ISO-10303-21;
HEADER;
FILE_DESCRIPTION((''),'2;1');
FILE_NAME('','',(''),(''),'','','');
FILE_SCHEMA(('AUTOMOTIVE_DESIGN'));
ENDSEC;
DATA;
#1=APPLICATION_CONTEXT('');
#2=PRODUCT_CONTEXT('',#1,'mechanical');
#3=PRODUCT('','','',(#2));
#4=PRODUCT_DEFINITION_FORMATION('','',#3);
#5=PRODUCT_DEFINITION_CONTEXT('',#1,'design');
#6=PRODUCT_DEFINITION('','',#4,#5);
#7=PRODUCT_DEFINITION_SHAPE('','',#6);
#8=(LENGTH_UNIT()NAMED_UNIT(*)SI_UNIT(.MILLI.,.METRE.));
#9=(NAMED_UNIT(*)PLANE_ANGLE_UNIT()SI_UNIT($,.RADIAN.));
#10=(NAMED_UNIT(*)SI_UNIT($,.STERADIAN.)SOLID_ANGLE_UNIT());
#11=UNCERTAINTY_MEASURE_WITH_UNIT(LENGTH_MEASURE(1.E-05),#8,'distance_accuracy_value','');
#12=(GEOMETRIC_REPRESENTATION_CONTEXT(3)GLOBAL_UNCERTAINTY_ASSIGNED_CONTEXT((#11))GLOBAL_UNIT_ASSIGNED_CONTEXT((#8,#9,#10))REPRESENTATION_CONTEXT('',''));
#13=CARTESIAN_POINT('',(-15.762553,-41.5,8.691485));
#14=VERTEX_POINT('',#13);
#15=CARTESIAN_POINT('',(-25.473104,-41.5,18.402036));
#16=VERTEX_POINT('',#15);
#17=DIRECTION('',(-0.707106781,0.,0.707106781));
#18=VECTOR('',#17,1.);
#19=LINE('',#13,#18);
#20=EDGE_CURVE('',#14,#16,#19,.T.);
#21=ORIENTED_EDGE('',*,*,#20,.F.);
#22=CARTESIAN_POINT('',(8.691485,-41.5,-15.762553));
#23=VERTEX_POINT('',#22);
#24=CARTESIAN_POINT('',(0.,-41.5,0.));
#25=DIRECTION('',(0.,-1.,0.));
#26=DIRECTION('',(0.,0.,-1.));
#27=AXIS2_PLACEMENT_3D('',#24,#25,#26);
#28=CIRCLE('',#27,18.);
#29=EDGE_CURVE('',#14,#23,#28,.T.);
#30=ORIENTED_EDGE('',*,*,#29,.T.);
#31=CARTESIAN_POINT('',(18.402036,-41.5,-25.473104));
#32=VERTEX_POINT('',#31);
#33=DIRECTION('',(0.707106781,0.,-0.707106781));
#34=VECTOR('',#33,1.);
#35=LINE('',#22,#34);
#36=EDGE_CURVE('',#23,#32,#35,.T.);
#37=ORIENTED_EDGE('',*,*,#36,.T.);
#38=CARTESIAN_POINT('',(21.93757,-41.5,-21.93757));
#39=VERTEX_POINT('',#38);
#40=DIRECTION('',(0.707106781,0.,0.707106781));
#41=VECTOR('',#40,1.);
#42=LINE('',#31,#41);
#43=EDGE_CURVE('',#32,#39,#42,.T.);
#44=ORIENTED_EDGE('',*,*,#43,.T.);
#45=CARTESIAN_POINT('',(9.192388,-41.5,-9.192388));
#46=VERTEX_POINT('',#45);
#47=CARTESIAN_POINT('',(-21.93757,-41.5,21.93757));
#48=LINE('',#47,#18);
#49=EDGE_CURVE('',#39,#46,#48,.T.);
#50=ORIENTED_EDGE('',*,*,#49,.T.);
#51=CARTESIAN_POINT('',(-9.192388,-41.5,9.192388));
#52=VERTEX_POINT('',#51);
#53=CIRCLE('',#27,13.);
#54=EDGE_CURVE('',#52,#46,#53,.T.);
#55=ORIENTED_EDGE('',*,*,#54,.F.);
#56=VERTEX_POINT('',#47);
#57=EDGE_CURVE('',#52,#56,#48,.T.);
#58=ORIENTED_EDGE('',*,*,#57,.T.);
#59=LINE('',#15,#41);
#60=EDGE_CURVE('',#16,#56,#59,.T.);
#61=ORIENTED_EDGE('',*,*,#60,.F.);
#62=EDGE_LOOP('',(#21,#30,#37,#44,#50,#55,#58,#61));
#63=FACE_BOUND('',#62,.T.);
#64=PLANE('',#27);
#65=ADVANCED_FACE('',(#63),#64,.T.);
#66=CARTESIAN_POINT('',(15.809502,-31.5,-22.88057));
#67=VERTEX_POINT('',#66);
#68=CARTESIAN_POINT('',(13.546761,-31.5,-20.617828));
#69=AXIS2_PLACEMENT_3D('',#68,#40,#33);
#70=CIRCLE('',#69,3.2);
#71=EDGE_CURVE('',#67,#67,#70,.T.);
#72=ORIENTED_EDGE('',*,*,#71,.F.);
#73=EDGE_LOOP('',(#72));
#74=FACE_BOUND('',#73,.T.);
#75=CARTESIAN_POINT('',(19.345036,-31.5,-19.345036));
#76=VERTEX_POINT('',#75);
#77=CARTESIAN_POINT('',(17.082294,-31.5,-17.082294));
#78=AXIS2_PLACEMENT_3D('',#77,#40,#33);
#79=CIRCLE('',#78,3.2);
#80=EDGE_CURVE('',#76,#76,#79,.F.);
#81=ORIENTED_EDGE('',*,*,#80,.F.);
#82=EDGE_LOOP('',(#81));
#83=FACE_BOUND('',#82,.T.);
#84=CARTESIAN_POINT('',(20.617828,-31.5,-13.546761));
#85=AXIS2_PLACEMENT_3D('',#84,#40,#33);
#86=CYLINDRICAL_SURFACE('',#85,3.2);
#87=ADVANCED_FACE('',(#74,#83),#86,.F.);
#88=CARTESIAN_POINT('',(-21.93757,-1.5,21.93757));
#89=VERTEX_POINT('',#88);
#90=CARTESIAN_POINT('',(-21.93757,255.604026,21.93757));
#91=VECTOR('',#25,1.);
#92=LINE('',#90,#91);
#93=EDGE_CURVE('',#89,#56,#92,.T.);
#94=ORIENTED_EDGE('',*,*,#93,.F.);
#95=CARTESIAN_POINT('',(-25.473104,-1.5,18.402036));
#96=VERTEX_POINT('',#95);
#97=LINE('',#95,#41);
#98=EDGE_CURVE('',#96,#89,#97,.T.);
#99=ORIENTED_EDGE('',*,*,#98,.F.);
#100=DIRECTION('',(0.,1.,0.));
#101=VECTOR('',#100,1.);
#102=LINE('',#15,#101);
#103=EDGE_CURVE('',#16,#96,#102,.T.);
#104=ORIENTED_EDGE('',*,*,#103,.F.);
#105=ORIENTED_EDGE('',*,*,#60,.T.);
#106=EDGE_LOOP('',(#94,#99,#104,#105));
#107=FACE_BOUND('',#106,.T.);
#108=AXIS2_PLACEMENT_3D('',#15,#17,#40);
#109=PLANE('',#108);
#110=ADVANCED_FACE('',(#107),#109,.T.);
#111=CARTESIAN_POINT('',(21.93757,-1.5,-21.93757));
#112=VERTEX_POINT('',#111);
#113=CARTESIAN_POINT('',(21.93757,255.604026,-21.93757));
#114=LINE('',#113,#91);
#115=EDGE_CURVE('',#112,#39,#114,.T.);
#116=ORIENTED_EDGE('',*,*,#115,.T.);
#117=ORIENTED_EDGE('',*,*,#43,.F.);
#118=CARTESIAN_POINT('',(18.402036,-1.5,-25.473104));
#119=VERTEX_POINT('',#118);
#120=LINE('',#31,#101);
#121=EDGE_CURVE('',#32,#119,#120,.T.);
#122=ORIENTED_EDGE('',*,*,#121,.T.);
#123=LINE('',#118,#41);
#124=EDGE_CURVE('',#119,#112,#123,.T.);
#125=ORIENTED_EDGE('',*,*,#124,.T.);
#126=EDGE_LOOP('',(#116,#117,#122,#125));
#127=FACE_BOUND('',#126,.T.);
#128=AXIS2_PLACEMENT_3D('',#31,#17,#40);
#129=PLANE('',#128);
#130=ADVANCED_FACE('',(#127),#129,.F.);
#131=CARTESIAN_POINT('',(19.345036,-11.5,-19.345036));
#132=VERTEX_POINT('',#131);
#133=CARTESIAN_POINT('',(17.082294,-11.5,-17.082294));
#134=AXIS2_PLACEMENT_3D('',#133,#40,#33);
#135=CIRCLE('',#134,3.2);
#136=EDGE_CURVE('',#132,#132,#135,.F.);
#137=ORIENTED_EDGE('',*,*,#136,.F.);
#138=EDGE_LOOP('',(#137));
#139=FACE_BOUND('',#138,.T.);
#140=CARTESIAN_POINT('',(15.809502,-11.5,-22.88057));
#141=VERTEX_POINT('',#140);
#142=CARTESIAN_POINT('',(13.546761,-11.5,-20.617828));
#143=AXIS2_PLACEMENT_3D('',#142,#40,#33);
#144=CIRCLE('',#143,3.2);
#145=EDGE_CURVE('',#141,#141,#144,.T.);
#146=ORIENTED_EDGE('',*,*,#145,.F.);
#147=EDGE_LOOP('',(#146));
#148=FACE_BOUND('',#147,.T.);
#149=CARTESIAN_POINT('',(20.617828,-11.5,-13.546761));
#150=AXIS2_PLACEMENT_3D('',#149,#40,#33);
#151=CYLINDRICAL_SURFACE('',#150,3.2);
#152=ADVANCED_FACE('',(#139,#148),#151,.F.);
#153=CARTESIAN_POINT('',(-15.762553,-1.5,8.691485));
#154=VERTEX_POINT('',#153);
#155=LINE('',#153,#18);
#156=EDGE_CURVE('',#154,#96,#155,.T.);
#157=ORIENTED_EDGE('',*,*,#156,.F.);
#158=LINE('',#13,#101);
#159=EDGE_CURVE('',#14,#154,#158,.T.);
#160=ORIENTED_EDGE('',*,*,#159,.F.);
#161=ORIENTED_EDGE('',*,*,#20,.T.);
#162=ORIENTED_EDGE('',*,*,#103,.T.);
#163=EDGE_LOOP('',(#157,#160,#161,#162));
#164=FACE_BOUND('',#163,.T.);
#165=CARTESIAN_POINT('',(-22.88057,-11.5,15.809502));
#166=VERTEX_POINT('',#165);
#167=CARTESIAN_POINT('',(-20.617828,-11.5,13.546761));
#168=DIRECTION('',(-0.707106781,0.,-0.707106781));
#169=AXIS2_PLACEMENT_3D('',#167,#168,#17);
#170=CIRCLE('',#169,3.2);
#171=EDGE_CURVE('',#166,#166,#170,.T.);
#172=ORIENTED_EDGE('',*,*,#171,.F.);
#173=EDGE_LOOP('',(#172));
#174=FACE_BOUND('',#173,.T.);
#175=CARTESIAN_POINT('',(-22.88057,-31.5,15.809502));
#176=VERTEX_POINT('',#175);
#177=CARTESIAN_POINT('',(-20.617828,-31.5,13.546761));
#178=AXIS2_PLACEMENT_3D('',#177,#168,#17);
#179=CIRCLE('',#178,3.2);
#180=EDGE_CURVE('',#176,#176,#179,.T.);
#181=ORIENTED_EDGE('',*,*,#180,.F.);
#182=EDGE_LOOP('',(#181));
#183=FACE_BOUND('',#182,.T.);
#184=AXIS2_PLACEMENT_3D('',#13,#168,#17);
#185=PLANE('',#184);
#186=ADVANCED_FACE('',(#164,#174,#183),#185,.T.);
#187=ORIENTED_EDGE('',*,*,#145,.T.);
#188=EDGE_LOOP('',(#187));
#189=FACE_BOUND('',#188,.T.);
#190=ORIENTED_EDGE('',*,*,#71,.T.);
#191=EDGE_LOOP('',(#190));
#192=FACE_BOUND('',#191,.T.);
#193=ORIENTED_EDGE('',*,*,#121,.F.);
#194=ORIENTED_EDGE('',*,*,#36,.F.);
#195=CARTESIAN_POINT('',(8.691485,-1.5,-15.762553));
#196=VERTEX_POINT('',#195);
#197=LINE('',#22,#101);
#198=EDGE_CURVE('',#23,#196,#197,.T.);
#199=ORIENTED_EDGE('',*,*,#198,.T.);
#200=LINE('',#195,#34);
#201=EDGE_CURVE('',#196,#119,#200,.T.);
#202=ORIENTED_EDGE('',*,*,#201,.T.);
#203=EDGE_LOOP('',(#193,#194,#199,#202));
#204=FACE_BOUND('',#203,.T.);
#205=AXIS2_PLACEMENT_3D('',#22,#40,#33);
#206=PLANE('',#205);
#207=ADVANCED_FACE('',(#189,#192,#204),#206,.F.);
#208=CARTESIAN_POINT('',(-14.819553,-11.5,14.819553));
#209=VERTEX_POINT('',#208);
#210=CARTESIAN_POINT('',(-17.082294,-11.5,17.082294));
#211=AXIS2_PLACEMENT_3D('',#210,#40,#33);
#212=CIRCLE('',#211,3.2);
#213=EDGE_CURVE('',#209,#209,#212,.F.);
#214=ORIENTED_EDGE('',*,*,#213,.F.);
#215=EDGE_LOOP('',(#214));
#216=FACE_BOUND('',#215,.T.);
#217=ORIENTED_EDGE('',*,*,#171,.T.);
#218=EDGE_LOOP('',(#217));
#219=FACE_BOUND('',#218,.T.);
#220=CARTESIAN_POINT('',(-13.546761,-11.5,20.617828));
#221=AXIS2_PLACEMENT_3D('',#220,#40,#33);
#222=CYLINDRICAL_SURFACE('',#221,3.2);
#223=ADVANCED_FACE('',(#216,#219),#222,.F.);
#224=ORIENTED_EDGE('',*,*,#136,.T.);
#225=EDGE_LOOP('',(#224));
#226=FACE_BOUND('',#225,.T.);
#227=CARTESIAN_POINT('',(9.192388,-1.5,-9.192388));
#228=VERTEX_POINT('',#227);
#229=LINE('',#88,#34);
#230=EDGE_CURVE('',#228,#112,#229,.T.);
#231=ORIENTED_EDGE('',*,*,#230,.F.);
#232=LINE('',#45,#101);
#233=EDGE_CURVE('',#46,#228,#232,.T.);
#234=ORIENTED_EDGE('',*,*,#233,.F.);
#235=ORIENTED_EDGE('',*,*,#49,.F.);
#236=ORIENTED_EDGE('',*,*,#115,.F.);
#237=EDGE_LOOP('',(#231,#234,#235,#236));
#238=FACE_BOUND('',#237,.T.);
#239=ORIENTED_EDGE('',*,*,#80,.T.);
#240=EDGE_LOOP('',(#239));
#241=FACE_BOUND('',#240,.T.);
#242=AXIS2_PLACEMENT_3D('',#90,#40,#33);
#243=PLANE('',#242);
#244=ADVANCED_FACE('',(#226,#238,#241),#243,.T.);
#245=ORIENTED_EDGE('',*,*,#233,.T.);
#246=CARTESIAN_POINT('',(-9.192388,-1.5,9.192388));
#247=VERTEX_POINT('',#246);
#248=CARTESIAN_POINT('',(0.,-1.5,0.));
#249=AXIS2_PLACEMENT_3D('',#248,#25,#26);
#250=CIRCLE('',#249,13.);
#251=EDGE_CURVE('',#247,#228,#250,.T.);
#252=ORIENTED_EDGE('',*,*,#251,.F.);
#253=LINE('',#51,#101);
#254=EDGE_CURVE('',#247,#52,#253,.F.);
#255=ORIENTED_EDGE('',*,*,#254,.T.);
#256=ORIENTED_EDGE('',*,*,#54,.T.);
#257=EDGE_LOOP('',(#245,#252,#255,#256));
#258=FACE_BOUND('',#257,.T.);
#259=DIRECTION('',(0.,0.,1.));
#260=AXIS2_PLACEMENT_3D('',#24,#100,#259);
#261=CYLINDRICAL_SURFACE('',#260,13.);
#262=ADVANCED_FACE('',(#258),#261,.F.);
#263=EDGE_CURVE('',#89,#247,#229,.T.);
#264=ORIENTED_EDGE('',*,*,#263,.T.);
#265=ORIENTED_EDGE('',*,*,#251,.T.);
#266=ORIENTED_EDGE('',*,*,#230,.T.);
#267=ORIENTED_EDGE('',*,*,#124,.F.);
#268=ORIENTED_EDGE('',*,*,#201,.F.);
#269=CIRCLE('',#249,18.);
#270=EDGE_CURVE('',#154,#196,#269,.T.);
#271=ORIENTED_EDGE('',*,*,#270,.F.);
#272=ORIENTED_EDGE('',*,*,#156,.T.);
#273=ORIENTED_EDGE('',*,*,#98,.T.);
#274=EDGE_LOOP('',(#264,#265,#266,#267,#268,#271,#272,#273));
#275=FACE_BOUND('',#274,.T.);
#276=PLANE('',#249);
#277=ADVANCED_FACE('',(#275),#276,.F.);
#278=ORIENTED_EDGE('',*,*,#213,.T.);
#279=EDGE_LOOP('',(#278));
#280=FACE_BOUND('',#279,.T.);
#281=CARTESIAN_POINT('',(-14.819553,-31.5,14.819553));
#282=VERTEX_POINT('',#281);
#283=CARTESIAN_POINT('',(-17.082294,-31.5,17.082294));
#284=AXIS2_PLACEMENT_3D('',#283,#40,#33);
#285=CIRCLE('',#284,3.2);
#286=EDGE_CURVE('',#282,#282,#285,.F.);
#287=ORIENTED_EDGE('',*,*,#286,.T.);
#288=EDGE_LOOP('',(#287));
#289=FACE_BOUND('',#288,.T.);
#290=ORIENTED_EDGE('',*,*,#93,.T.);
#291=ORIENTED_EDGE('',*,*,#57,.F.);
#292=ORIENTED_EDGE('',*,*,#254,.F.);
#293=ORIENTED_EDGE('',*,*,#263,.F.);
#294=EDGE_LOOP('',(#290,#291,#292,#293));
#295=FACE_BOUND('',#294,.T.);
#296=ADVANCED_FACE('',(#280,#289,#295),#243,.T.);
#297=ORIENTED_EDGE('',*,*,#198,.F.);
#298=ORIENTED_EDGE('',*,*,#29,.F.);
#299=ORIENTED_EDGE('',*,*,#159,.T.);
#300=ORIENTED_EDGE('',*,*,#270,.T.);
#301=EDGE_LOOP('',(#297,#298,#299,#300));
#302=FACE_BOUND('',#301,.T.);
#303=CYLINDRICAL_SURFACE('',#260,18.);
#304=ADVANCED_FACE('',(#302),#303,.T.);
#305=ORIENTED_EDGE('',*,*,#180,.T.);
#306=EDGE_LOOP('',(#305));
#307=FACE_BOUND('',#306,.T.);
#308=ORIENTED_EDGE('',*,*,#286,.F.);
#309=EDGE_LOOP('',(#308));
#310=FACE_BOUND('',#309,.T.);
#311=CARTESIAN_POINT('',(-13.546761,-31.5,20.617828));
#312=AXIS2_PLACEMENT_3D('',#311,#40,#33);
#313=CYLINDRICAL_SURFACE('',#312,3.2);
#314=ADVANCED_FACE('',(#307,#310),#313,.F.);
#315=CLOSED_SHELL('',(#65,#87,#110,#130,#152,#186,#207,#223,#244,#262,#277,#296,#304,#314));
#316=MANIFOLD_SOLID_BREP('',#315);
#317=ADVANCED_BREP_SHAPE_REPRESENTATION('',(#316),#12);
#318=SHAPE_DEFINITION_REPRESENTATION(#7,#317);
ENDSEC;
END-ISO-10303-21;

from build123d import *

# Parameters (mm, degrees)
BOSS_EXTRUDE1_DEPTH      = 1.5
M3_CLEARANCE_HOLE1_D     = 3.2
M3_CLEARANCE_HOLE1_DEPTH = 3
SKETCH5_R                = 15
CUT_EXTRUDE1_DEPTH       = 1
CUT_EXTRUDE1_DEPTH_BACK  = 4
SKETCH6_R                = 13
BOSS_EXTRUDE2_DEPTH      = 40
M6_CLEARANCE_HOLE1_D     = 6.4
M6_CLEARANCE_HOLE1_DEPTH = 10
SKETCH11_OUTSIDE_W       = 233.632
SKETCH11_OUTSIDE_H       = 233.632
CUT_EXTRUDE2_DEPTH       = 40
SKETCH12_W               = 183.089507272
SKETCH12_H               = 5.144734847
CUT_EXTRUDE4_DEPTH       = 91
CUT_EXTRUDE4_DEPTH_BACK  = 91


with BuildPart() as part:
    # Sketch1 → Boss-Extrude1 (new body, symmetric)
    with BuildSketch(Plane(origin=(0, 0, 0), x_dir=(1, 0, 0), z_dir=(0, 1, 0))):
        with BuildLine():
            Line((50, 10), (84, 10))
            ThreePointArc((84, 10), (88.242640687, 8.242640687), (90, 4))
            Line((90, 4), (90, -4))
            ThreePointArc((90, -4), (88.242640687, -8.242640687), (84, -10))
            Line((84, -10), (50, -10))
            ThreePointArc((50, -10), (21.715728753, -21.715728753), (10, -50))
            Line((10, -50), (10, -84))
            ThreePointArc((10, -84), (8.242640687, -88.242640687), (4, -90))
            Line((4, -90), (-4, -90))
            ThreePointArc((-4, -90), (-8.242640687, -88.242640687), (-10, -84))
            Line((-10, -84), (-10, -50))
            ThreePointArc((-10, -50), (-21.715728753, -21.715728753), (-50, -10))
            Line((-50, -10), (-84, -10))
            ThreePointArc((-84, -10), (-88.242640687, -8.242640687), (-90, -4))
            Line((-90, -4), (-90, 4))
            ThreePointArc((-90, 4), (-88.242640687, 8.242640687), (-84, 10))
            Line((-84, 10), (-50, 10))
            ThreePointArc((-50, 10), (-21.715728753, 21.715728753), (-10, 50))
            Line((-10, 50), (-10, 84))
            ThreePointArc((-10, 84), (-8.242640687, 88.242640687), (-4, 90))
            Line((-4, 90), (4, 90))
            ThreePointArc((4, 90), (8.242640687, 88.242640687), (10, 84))
            Line((10, 84), (10, 50))
            ThreePointArc((10, 50), (21.715728753, 21.715728753), (50, 10))
        make_face()
    extrude(amount=BOSS_EXTRUDE1_DEPTH, both=True)

    # M3 Clearance Hole1
    with Locations(Plane(origin=(0, 1.5, 0), x_dir=(1, 0, 0), z_dir=(0, 1, 0))):
        with Locations((-84, 4), (-84, -4), (-4, 84), (4, 84), (84, 4), (84, -4), (4, -84), (-4, -84), (-39, 4), (-39, -4), (39, 4), (39, -4), (4, -39), (-4, -39), (-4, 39), (4, 39)):
            Hole(M3_CLEARANCE_HOLE1_D / 2, depth=M3_CLEARANCE_HOLE1_DEPTH)

    # Sketch5 → Cut-Extrude1 (cut, two sides)
    with BuildSketch(Plane(origin=(0, 1.5, 0), x_dir=(1, 0, 0), z_dir=(0, 1, 0))) as cut_extrude1_sk:
        Circle(SKETCH5_R)
    extrude(amount=CUT_EXTRUDE1_DEPTH, mode=Mode.SUBTRACT)
    extrude(cut_extrude1_sk.sketch, amount=-CUT_EXTRUDE1_DEPTH_BACK, mode=Mode.SUBTRACT)

    # Sketch6 → Boss-Extrude2 (add)
    with BuildSketch(Plane.XZ.offset(1.5)):
        with BuildLine():
            Line((-15.762553167, 8.691485355), (-25.473103505, 18.402035693))
            Line((-25.473103505, 18.402035693), (-18.402035693, 25.473103505))
            Line((-18.402035693, 25.473103505), (-8.691485355, 15.762553167))
            ThreePointArc((-8.691485355, 15.762553167), (12.727922061, 12.727922061), (15.762553167, -8.691485355))
            Line((15.762553167, -8.691485355), (25.473103505, -18.402035693))
            Line((25.473103505, -18.402035693), (18.402035693, -25.473103505))
            Line((18.402035693, -25.473103505), (8.691485355, -15.762553167))
            ThreePointArc((8.691485355, -15.762553167), (-12.727922061, -12.727922061), (-15.762553167, 8.691485355))
        make_face()
        Circle(SKETCH6_R, mode=Mode.SUBTRACT)
    extrude(amount=BOSS_EXTRUDE2_DEPTH)

    # M6 Clearance Hole1
    with Locations(Plane(origin=(3.535533906, 0, 3.535533906), x_dir=(0.707106781, 0, -0.707106781), z_dir=(0.707106781, 0, 0.707106781))):
        with Locations((-24.158012459, -11.5), (-24.158012459, -31.5), (24.158012459, -11.5), (24.158012459, -31.5)):
            Hole(M6_CLEARANCE_HOLE1_D / 2, depth=M6_CLEARANCE_HOLE1_DEPTH)

    # Sketch11 outside → Cut-Extrude2 (cut)
    with BuildSketch(Plane.XZ.offset(41.5)):
        Rectangle(SKETCH11_OUTSIDE_W, SKETCH11_OUTSIDE_H)
        with BuildLine():
            Line((-21.937569599, 21.937569599), (21.937569599, -21.937569599))
            Line((21.937569599, -21.937569599), (18.402035693, -25.473103505))
            Line((18.402035693, -25.473103505), (8.691485355, -15.762553167))
            ThreePointArc((8.691485355, -15.762553167), (-12.727922061, -12.727922061), (-15.762553167, 8.691485355))
            Line((-15.762553167, 8.691485355), (-25.473103505, 18.402035693))
            Line((-25.473103505, 18.402035693), (-21.937569599, 21.937569599))
        make_face(mode=Mode.SUBTRACT)
    extrude(amount=-CUT_EXTRUDE2_DEPTH, mode=Mode.SUBTRACT)

    # Sketch12 → Cut-Extrude4 (cut, two sides)
    with BuildSketch(Plane(origin=(0, 0, 0), x_dir=(0, 0, -1), z_dir=(1, 0, 0))) as cut_extrude4_sk:
        with Locations((-1.544753636, 1.072367424)):
            Rectangle(SKETCH12_W, SKETCH12_H)
    extrude(amount=CUT_EXTRUDE4_DEPTH, mode=Mode.SUBTRACT)
    extrude(cut_extrude4_sk.sketch, amount=-CUT_EXTRUDE4_DEPTH_BACK, mode=Mode.SUBTRACT)


solid = part.part
